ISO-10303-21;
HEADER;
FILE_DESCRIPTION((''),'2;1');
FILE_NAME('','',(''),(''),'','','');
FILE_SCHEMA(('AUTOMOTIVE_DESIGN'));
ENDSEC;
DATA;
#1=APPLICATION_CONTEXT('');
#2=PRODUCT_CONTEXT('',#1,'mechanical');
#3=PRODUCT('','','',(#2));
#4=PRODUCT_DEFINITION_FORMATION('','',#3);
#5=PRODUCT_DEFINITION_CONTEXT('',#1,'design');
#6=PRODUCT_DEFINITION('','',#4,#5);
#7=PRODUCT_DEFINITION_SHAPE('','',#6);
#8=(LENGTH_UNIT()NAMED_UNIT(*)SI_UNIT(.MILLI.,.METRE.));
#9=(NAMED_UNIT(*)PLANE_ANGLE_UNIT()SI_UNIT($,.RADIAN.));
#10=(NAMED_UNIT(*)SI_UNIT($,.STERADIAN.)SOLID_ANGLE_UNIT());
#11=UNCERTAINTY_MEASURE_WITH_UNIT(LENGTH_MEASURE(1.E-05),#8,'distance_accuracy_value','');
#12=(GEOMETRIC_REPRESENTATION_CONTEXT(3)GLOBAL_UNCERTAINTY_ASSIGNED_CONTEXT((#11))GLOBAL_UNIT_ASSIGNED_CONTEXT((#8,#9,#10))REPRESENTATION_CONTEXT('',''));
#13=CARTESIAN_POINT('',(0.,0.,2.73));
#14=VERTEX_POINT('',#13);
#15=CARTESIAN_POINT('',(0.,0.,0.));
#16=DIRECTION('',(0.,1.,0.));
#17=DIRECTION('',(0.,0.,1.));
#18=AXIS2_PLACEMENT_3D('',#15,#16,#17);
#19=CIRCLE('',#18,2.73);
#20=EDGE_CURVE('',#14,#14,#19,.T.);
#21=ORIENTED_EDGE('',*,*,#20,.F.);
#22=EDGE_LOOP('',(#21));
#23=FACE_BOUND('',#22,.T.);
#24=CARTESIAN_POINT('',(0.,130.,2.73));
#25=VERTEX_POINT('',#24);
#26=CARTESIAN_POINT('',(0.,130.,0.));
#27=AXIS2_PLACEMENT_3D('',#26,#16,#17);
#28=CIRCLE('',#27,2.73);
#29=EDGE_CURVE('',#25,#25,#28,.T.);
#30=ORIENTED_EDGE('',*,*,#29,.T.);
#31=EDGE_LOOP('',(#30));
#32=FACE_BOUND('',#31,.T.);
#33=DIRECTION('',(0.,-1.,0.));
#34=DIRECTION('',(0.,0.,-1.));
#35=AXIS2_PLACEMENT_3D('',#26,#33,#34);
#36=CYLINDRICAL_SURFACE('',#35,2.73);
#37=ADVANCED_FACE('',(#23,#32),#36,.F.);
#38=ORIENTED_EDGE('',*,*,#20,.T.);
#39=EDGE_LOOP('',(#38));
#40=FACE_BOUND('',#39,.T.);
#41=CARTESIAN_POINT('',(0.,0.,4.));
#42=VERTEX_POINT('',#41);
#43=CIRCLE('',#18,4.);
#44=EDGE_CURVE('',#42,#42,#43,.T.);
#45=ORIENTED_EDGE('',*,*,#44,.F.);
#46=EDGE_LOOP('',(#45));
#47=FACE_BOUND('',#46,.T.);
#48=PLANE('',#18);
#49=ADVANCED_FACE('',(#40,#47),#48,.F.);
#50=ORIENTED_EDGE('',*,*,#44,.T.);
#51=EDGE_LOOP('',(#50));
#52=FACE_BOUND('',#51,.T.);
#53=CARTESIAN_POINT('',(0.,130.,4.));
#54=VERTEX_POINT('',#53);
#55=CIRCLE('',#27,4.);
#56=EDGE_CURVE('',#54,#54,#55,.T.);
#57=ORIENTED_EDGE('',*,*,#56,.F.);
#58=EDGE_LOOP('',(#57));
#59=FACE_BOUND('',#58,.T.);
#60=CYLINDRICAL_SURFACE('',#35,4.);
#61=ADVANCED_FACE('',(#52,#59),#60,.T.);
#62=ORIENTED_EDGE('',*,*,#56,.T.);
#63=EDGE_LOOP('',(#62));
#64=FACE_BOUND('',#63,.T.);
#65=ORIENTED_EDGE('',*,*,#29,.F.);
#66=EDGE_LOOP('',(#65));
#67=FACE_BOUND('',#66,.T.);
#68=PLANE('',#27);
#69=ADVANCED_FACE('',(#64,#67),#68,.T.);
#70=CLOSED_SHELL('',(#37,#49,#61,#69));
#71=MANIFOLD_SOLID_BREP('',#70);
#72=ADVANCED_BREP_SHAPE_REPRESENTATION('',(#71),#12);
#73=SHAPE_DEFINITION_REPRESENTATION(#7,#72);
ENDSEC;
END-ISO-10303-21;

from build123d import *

# Parameters (mm, degrees)
SKETCH1_R           = 4
BOSS_EXTRUDE1_DEPTH = 130
SHELL1_T            = -1.27


with BuildPart() as part:
    # Sketch1 → Boss-Extrude1 (new body)
    with BuildSketch(Plane(origin=(0, 0, 0), x_dir=(1, 0, 0), z_dir=(0, 1, 0))):
        with Locations(Location((0, 0, 0), (0, 0, 270))):
            Circle(SKETCH1_R)
    extrude(amount=BOSS_EXTRUDE1_DEPTH)

    # Shell1
    shell1_openings = [part.faces().sort_by_distance(p)[0] for p in [
        (0, 130, 0),
        (0, 0, 0),
    ]]
    offset(amount=SHELL1_T, openings=shell1_openings, kind=Kind.INTERSECTION)


solid = part.part
